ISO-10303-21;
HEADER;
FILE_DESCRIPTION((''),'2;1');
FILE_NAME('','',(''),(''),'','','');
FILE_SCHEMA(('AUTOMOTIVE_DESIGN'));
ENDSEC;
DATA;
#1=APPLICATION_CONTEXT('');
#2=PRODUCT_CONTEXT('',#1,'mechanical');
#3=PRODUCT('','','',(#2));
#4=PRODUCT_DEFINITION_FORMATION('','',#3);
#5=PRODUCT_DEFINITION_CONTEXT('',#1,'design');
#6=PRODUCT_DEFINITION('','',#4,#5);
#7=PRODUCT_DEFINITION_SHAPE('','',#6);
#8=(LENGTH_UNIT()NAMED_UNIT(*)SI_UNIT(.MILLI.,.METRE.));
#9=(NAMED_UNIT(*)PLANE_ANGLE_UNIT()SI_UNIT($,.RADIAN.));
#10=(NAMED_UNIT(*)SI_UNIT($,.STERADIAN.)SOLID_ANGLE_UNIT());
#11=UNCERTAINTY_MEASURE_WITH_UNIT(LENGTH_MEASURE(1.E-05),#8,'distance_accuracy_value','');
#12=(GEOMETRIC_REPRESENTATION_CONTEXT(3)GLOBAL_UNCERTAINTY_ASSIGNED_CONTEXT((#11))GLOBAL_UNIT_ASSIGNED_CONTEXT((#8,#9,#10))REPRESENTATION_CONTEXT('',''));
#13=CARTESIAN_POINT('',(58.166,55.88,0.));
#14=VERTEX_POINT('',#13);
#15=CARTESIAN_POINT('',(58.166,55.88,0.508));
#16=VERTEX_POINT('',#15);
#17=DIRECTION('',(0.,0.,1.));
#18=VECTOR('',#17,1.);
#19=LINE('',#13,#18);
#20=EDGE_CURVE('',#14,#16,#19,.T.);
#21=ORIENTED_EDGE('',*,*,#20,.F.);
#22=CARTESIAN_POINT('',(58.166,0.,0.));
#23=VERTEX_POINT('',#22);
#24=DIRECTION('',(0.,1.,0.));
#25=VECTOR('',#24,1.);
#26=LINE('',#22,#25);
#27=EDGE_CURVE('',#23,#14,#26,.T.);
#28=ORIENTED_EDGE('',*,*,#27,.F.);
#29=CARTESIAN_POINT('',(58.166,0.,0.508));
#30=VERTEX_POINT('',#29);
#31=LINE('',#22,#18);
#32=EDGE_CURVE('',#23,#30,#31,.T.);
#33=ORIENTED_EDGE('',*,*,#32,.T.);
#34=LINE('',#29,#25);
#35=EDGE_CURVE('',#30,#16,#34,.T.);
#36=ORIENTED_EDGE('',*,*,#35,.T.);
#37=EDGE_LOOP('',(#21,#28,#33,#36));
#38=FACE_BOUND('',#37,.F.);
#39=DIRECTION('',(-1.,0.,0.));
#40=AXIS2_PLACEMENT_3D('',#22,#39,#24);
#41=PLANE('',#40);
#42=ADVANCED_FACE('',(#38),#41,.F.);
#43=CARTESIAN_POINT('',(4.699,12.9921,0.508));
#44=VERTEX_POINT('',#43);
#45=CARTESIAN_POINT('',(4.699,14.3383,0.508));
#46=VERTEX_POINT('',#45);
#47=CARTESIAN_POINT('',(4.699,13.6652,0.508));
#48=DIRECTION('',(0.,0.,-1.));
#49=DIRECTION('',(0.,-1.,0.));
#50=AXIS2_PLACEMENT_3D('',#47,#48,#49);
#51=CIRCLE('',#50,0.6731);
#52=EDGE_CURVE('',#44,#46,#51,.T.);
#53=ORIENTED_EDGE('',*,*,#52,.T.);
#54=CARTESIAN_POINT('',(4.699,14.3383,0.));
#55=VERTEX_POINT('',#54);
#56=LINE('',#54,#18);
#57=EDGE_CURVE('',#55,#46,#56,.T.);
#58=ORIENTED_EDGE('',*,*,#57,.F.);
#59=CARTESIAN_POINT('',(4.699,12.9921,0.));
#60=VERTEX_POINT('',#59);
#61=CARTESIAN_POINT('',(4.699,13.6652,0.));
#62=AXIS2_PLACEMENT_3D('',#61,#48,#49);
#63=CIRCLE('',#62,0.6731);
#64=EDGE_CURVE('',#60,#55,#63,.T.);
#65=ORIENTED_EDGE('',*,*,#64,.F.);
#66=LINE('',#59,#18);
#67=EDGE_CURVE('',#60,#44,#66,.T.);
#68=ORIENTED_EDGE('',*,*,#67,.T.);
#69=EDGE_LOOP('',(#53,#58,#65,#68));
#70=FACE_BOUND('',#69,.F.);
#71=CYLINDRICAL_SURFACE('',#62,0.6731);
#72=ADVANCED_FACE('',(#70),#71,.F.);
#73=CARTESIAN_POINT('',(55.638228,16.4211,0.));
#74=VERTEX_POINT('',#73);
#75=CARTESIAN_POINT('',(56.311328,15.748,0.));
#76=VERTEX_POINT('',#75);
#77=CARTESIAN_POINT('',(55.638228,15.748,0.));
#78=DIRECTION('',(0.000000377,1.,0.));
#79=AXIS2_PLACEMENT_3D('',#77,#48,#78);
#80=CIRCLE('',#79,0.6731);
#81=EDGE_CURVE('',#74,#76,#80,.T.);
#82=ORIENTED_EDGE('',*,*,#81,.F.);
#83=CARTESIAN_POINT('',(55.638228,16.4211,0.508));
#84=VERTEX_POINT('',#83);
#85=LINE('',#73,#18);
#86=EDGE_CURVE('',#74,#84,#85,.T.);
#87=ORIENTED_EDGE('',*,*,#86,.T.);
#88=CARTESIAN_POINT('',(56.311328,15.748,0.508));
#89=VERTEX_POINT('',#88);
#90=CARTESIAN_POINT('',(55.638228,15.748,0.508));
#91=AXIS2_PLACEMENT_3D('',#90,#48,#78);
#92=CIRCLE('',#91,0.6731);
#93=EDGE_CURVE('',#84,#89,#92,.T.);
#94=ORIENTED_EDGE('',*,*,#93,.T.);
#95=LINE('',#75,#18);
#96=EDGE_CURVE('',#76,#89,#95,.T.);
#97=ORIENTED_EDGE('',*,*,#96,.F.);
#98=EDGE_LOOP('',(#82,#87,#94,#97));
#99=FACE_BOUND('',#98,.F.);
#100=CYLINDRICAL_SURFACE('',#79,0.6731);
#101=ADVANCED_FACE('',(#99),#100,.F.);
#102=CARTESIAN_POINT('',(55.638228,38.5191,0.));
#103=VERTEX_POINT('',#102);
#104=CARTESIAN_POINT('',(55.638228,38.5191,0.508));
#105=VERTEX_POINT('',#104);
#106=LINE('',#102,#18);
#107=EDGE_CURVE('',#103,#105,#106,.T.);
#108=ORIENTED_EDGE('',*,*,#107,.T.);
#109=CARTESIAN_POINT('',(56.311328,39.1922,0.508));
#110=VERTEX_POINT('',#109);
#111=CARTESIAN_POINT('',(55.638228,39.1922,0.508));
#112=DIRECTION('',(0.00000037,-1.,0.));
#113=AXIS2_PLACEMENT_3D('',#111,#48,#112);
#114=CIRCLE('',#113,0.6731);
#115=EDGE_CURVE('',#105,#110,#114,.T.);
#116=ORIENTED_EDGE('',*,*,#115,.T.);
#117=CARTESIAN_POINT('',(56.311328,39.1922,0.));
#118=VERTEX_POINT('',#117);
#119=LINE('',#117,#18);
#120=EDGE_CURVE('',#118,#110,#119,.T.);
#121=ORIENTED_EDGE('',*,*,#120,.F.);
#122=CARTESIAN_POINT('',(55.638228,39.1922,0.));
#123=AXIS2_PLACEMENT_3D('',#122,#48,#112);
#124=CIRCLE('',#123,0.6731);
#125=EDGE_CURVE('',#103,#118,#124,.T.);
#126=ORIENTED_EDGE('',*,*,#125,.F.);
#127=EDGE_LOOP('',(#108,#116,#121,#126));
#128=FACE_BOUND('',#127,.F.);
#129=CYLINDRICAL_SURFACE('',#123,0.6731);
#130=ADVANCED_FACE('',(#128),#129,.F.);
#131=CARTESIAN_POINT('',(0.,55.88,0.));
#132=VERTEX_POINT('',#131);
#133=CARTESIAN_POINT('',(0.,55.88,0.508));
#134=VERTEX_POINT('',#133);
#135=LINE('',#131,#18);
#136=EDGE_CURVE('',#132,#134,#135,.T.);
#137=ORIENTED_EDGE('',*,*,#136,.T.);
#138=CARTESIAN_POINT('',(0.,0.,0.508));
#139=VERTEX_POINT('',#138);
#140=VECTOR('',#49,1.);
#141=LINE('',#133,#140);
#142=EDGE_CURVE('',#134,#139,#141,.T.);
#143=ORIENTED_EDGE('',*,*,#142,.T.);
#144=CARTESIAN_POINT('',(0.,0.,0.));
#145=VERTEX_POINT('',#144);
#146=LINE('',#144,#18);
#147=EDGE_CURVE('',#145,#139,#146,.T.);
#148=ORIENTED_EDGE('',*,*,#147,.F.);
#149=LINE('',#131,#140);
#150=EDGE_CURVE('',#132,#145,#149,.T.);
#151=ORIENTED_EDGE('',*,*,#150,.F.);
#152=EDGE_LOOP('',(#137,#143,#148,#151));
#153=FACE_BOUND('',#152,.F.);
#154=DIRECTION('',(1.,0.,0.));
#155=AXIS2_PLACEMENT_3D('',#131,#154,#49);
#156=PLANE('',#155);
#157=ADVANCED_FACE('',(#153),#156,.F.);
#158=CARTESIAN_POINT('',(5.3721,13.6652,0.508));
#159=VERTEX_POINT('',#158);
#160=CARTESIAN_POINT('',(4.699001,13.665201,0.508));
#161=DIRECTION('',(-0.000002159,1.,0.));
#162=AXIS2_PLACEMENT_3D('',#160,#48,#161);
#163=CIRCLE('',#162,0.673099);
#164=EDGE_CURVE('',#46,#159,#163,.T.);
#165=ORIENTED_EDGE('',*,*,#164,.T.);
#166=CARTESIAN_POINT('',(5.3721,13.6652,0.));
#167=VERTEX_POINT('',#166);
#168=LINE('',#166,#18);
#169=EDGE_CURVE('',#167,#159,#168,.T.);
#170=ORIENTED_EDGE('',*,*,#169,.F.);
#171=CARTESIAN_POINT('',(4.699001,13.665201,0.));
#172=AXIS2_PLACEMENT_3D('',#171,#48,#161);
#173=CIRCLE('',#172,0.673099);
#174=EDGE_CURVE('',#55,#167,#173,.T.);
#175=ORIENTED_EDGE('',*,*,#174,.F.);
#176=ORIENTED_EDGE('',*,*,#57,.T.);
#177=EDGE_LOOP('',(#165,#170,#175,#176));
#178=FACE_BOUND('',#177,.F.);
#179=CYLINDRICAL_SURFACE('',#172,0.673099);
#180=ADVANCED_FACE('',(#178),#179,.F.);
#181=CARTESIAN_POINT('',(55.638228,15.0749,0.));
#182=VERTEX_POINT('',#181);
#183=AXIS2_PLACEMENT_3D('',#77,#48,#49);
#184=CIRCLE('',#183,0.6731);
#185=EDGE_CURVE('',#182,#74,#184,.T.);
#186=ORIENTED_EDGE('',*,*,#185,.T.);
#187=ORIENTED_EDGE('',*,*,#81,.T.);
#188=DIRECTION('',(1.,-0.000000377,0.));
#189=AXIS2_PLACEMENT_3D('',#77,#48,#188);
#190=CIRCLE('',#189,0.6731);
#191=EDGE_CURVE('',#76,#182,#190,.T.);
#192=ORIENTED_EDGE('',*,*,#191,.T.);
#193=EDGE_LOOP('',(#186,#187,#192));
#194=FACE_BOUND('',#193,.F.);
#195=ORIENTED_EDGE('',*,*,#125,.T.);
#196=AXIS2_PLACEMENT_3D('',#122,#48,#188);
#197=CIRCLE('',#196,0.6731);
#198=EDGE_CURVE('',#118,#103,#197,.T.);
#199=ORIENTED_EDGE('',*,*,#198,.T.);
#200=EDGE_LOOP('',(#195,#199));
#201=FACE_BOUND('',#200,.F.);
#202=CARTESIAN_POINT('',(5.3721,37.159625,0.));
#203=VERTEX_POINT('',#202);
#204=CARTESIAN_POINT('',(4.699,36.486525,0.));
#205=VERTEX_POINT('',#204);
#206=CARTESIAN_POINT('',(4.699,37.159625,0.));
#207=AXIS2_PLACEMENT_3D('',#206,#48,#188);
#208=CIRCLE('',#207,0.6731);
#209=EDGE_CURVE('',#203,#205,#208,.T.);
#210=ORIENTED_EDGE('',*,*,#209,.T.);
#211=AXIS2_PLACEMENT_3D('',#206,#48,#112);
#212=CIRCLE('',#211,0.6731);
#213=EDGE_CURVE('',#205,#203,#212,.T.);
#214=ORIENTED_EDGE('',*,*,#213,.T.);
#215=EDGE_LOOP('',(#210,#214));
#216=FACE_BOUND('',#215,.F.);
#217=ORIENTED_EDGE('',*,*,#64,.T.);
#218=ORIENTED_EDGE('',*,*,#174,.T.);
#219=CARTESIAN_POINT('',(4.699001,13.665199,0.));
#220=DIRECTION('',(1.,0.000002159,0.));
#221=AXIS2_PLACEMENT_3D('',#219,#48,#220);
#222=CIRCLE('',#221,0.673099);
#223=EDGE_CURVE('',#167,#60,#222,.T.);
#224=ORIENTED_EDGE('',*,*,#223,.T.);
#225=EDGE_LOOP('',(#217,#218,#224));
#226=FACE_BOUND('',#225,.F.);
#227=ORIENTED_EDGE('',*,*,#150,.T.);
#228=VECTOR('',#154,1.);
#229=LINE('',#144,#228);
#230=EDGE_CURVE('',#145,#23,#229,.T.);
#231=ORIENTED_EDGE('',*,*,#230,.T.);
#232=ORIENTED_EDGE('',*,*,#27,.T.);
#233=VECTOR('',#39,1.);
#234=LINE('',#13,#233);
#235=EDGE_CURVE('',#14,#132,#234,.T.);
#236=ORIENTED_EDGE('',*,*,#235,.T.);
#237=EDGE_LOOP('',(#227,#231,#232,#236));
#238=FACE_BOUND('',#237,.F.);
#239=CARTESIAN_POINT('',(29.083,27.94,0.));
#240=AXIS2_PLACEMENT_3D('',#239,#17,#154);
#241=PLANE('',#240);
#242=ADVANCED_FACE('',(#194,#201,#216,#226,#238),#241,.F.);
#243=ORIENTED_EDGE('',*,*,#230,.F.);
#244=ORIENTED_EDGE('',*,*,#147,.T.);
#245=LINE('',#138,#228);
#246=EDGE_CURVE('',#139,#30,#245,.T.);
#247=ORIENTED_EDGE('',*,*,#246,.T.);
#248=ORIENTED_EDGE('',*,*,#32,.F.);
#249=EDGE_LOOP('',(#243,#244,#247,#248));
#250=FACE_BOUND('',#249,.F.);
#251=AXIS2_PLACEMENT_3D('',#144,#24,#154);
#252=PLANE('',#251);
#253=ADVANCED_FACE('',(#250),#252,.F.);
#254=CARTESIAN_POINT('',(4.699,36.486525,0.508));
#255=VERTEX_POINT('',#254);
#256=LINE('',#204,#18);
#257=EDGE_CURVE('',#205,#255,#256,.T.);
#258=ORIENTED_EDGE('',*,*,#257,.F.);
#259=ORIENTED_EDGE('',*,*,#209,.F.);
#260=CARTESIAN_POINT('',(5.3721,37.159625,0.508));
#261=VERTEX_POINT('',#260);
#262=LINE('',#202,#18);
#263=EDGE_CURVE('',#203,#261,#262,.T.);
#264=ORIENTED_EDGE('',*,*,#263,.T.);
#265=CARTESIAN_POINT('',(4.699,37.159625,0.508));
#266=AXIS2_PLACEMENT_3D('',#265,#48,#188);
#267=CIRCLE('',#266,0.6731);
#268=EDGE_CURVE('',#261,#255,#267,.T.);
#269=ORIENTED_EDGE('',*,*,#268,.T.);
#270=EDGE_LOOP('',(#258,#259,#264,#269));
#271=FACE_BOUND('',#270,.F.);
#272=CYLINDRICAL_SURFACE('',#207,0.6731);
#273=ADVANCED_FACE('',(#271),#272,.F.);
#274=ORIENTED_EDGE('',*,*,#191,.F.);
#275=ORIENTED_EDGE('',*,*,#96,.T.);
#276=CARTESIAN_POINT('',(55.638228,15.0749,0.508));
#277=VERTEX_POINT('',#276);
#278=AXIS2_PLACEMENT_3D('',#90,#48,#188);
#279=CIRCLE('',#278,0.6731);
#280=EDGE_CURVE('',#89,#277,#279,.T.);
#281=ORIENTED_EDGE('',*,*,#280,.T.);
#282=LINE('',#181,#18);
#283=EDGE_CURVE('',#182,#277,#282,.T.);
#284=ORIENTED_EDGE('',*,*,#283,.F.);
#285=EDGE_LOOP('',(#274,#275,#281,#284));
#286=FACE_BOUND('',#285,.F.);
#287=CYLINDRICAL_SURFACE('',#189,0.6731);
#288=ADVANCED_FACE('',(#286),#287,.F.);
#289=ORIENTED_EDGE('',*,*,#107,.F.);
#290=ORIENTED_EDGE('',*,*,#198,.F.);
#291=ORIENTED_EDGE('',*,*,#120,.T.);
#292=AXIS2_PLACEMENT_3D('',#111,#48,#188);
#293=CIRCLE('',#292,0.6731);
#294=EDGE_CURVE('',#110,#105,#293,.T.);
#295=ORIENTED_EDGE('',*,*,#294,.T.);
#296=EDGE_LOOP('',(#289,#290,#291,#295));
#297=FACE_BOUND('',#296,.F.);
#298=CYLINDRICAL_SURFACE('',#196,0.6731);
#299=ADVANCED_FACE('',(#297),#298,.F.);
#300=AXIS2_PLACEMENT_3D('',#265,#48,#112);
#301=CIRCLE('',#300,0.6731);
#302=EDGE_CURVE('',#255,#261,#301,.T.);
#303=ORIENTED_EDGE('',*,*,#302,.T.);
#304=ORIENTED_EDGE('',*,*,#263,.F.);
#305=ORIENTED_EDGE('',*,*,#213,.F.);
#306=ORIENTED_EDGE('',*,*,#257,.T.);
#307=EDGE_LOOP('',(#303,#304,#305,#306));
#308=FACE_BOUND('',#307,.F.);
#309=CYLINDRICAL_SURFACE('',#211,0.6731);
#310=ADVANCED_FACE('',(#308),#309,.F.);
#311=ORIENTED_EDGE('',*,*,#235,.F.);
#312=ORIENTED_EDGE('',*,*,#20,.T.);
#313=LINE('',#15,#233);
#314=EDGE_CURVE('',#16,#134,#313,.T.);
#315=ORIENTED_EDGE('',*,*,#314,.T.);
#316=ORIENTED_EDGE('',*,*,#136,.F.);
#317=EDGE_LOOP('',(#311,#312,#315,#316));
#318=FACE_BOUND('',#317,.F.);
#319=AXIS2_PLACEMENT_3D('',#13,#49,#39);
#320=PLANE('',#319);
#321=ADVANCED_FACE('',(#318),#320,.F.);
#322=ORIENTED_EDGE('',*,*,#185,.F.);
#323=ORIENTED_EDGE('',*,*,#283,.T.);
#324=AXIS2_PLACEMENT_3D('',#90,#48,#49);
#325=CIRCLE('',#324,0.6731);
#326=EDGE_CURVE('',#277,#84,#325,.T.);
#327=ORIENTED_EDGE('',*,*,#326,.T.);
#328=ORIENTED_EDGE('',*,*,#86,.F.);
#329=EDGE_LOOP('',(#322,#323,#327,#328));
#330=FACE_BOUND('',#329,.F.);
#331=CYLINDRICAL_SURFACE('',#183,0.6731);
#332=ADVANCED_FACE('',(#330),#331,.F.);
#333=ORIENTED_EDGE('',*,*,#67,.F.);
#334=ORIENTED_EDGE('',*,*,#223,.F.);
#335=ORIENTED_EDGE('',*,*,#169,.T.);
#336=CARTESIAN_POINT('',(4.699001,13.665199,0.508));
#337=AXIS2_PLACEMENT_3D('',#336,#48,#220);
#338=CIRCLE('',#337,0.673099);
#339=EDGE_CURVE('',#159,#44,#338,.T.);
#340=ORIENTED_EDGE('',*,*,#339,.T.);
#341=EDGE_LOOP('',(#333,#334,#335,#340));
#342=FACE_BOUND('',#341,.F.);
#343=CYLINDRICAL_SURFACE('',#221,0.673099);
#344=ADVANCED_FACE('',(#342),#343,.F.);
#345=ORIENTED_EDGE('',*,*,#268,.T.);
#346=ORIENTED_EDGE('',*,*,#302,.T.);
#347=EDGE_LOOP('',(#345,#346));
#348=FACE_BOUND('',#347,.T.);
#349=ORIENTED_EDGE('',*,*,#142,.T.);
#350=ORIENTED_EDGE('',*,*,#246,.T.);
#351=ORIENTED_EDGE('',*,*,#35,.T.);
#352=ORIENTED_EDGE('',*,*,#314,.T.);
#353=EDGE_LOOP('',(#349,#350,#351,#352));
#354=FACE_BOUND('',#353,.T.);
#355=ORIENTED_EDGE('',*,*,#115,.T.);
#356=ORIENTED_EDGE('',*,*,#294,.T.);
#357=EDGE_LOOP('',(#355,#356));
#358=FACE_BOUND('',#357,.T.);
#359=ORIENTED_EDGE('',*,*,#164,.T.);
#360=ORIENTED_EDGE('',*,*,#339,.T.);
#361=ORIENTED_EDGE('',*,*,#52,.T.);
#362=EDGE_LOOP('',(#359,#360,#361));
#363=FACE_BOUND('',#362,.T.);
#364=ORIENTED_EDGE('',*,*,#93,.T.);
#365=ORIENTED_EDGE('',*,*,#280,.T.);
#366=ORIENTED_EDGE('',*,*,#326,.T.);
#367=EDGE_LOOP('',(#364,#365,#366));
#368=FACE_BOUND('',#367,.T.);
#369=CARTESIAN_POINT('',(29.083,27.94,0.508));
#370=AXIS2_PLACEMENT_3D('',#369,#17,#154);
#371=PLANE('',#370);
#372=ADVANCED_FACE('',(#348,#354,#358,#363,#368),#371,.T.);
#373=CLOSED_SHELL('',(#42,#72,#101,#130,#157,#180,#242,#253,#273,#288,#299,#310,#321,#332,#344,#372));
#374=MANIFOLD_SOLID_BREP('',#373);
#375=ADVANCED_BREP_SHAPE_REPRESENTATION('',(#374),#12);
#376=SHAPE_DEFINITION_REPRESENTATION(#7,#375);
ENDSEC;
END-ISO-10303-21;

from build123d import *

# Parameters (mm, degrees)
F1_DEPTH = 0.508


with BuildPart() as f1:
    # F0 (on Top) → F1 (new body)
    with BuildSketch(Plane.XY):
        Polygon((0, 55.88), (0, 0), (4.699, 0), (55.638228, 0), (58.166, 0), (58.166, 55.88), align=None)
        with BuildLine():
            ThreePointArc((5.3721, 13.6652), (5.174954, 13.189246), (4.699, 12.9921))
            ThreePointArc((4.699, 12.9921), (4.0259, 13.6652), (4.699, 14.3383))
            ThreePointArc((4.699, 14.3383), (5.174954, 14.141154), (5.3721, 13.6652))
        make_face(mode=Mode.SUBTRACT)
        with BuildLine():
            ThreePointArc((56.311328, 15.748), (56.114181, 15.272046), (55.638228, 15.0749))
            ThreePointArc((55.638228, 15.0749), (54.965128, 15.748), (55.638228, 16.4211))
            ThreePointArc((55.638228, 16.4211), (56.114181, 16.223954), (56.311328, 15.748))
        make_face(mode=Mode.SUBTRACT)
        with BuildLine():
            ThreePointArc((5.3721, 37.159625), (5.174954, 36.683672), (4.699, 36.486525))
            ThreePointArc((4.699, 36.486525), (4.223046, 37.635579), (5.3721, 37.159625))
        make_face(mode=Mode.SUBTRACT)
        with BuildLine():
            ThreePointArc((56.311328, 39.1922), (56.114181, 38.716246), (55.638228, 38.5191))
            ThreePointArc((55.638228, 38.5191), (55.162274, 39.668154), (56.311328, 39.1922))
        make_face(mode=Mode.SUBTRACT)
    extrude(amount=F1_DEPTH)


solid = f1.part
